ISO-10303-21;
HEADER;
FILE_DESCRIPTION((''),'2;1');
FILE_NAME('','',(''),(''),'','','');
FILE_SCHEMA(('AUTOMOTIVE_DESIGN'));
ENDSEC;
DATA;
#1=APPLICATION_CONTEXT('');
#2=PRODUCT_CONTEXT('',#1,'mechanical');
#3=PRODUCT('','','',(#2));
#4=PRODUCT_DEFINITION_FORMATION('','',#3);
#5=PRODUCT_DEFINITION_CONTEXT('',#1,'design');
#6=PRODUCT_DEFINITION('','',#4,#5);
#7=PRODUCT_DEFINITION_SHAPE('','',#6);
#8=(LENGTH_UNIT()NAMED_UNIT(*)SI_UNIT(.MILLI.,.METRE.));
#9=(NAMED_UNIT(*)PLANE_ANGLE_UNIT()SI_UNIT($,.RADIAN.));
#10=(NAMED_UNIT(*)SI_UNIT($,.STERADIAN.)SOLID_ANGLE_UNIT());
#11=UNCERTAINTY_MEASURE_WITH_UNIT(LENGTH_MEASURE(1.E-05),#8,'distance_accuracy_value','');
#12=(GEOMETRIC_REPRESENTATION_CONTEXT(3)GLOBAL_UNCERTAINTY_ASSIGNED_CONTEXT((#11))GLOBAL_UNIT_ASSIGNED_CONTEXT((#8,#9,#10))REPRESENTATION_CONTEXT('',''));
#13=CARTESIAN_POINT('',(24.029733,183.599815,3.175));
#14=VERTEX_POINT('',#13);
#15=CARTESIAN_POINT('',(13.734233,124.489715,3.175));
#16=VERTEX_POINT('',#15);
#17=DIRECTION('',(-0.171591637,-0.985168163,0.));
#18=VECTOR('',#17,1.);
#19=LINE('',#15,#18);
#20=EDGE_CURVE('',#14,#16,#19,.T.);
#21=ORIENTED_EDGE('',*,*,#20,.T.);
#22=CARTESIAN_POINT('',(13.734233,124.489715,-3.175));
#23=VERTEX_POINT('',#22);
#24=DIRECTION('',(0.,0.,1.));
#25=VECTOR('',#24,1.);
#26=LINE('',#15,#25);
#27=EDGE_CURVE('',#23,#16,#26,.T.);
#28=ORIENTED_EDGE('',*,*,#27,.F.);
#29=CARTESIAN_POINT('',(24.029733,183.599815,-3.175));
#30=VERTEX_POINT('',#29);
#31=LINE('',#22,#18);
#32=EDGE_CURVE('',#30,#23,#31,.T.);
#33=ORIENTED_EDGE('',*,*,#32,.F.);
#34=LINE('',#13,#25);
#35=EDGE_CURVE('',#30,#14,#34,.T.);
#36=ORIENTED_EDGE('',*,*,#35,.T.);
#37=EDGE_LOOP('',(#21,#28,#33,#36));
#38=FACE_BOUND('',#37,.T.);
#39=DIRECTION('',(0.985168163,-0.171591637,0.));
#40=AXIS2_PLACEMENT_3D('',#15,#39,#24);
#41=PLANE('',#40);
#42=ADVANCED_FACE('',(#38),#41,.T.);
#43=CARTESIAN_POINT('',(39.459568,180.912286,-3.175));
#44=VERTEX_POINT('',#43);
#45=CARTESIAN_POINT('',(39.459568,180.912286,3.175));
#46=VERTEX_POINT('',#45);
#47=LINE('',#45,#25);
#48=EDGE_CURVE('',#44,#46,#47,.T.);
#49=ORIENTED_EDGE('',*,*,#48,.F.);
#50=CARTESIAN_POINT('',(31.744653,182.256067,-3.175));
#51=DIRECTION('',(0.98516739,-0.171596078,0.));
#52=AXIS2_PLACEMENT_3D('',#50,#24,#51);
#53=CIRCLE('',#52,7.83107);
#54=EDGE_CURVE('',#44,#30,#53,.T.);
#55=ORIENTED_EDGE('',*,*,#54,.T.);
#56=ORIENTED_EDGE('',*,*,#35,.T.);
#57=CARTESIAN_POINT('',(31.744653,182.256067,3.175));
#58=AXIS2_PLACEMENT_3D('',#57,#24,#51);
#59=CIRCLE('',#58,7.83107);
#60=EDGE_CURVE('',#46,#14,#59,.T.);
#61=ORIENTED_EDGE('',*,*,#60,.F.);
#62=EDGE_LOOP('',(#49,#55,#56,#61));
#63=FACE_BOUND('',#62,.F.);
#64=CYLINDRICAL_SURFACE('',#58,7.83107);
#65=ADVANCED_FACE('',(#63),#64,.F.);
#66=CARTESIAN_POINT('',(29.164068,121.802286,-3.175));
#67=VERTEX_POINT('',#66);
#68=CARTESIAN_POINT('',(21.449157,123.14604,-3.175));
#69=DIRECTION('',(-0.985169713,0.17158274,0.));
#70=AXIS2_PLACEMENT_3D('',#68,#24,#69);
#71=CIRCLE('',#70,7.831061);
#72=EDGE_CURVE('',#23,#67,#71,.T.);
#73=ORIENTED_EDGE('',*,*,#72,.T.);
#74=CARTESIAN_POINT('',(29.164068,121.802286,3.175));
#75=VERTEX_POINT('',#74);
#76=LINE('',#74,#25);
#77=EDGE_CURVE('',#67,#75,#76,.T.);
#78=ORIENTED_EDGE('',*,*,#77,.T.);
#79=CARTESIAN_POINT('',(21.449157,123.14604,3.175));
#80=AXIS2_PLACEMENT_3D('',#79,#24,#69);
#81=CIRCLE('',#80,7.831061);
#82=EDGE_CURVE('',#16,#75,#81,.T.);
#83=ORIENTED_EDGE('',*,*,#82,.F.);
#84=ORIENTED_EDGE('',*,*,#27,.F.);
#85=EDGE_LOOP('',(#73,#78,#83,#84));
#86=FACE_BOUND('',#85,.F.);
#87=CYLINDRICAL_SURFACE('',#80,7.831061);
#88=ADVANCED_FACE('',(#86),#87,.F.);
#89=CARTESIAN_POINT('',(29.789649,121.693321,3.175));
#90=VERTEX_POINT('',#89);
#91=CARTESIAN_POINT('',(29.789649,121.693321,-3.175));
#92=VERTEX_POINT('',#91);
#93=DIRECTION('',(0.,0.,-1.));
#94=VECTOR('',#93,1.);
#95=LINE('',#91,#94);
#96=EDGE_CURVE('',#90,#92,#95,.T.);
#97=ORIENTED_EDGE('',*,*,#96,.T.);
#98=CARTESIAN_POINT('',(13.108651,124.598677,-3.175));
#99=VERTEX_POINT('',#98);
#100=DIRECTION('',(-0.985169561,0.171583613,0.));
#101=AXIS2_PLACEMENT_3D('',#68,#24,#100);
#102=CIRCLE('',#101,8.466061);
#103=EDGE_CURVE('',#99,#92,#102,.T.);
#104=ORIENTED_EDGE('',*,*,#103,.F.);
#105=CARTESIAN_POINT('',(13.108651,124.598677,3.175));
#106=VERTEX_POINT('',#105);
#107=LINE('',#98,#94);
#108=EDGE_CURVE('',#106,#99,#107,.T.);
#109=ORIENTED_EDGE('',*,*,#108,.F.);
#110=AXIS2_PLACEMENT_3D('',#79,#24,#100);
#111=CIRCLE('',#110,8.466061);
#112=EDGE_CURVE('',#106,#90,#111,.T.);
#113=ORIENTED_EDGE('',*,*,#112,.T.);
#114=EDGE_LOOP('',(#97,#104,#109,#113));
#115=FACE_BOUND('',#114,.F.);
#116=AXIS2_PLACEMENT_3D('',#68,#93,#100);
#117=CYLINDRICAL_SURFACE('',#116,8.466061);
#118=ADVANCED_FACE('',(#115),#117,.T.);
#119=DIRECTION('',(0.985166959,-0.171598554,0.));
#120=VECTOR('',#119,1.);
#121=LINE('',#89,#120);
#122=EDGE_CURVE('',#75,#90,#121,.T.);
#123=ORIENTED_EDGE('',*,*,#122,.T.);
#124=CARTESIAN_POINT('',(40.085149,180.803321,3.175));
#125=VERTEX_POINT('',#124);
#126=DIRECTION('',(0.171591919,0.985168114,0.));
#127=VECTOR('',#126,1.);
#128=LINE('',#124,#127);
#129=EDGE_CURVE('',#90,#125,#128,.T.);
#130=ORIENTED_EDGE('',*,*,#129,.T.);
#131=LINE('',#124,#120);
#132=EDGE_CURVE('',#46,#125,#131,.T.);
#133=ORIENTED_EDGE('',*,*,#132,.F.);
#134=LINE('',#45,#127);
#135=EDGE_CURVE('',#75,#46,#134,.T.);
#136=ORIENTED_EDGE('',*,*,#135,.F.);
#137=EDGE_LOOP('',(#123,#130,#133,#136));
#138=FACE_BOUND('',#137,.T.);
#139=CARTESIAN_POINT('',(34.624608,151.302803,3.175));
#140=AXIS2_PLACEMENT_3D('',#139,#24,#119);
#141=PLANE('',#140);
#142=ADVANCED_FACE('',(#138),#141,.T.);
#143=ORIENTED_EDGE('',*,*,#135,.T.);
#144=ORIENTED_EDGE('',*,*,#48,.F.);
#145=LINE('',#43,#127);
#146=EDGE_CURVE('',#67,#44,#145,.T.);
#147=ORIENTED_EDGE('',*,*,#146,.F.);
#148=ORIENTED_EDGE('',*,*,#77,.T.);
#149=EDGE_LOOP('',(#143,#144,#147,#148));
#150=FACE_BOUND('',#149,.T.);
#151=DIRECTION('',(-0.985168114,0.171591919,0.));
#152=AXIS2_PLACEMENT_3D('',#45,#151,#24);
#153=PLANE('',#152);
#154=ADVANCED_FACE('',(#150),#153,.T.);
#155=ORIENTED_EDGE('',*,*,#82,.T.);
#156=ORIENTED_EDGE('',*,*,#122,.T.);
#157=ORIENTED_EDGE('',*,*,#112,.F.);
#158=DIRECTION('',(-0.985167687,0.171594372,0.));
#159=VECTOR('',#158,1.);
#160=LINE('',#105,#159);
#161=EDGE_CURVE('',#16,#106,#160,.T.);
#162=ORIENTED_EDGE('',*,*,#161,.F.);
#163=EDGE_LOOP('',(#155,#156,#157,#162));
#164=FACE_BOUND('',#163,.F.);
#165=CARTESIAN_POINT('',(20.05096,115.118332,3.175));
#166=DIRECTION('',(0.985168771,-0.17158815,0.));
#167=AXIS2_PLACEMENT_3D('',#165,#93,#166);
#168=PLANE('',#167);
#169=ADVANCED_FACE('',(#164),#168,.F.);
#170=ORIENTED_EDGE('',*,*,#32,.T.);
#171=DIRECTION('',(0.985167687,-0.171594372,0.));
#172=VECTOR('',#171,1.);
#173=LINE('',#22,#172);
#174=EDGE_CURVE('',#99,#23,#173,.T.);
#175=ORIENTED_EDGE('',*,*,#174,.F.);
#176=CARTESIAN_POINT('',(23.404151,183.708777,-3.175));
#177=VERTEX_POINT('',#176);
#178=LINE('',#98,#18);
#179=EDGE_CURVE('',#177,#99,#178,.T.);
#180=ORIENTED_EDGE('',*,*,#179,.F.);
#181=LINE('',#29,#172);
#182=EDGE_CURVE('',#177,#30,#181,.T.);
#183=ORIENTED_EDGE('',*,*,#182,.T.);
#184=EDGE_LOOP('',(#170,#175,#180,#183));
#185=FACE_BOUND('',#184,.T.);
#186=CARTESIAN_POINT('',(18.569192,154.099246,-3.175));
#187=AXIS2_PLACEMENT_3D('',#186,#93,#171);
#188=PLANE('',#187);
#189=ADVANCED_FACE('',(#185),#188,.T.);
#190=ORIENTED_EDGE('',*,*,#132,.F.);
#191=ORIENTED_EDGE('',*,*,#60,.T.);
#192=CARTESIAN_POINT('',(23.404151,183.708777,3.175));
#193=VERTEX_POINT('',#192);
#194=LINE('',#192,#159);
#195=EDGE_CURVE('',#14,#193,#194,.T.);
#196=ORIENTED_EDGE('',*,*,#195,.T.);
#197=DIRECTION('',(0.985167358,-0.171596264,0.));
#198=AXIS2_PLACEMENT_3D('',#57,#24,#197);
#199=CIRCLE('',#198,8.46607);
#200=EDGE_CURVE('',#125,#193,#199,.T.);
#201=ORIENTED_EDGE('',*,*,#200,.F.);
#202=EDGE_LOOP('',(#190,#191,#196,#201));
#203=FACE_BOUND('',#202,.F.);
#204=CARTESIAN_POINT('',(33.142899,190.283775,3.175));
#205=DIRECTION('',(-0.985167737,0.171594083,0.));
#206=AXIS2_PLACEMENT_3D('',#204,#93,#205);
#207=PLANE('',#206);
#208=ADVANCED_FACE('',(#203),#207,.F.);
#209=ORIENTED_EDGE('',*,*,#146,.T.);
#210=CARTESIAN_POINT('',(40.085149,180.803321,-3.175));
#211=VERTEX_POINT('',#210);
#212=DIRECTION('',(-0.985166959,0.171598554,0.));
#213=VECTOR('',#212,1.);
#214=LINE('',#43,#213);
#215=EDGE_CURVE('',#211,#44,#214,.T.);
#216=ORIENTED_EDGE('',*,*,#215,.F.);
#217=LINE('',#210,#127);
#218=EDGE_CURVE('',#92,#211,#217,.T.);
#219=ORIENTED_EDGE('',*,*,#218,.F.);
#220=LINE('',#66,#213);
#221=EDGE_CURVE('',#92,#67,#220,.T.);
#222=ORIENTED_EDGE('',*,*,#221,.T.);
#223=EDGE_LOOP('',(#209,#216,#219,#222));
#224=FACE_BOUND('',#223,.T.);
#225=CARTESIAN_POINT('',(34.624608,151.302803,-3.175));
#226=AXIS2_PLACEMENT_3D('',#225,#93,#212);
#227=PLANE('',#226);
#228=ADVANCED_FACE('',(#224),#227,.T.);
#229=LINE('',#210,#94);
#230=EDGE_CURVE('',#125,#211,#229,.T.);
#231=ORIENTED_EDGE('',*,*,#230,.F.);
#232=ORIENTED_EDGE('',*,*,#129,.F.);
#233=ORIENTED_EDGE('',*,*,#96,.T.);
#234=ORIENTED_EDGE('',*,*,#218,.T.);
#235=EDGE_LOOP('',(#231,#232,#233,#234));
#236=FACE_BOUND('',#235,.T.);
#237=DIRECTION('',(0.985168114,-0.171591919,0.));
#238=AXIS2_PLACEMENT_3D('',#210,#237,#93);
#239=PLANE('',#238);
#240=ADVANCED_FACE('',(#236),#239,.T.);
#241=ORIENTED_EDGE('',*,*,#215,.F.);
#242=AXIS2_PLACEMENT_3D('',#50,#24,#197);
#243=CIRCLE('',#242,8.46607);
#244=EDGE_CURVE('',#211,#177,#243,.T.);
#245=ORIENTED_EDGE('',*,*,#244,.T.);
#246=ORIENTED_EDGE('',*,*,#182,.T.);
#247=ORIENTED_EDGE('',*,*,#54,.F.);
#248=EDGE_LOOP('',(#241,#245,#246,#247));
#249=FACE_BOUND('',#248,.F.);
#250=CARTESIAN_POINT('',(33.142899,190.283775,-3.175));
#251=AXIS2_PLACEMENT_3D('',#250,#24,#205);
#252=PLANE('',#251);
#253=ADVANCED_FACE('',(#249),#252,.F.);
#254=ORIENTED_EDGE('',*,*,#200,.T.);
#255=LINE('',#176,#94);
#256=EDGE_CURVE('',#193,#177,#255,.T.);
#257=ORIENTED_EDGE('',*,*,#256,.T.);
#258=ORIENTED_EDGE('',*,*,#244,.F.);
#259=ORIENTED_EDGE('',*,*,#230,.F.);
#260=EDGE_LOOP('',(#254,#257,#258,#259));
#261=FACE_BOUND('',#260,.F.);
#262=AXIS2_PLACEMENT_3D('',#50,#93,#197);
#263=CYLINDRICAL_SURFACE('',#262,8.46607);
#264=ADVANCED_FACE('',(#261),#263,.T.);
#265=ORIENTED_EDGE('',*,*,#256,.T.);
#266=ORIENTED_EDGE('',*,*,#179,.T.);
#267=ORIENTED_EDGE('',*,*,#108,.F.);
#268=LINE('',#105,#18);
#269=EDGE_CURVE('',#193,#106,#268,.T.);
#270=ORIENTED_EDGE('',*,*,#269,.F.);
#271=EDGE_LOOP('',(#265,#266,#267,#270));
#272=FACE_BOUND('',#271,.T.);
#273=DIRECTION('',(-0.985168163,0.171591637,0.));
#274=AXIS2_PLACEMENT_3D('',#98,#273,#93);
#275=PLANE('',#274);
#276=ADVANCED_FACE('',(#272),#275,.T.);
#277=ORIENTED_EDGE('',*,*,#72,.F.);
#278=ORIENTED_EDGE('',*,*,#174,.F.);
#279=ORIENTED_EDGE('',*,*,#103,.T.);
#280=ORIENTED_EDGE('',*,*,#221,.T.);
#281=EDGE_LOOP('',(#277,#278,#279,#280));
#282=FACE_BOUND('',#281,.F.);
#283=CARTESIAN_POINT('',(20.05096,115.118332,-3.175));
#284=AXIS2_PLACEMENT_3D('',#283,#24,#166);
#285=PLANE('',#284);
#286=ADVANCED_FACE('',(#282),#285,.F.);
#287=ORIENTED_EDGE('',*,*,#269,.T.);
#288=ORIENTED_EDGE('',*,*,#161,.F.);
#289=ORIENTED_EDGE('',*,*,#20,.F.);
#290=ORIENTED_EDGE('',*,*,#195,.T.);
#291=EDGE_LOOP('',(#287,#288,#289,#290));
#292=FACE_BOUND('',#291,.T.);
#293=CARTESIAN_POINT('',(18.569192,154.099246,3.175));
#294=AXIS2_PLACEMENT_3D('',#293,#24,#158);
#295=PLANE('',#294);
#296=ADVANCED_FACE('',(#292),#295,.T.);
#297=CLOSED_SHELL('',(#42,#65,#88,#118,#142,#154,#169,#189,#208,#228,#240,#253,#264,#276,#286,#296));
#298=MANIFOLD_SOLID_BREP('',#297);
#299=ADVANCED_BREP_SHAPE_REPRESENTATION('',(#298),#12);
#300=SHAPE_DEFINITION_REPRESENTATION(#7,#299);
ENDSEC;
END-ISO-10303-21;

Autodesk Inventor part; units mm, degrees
sketch "Sketch Path" plane through (0, 0, 0) normal (0, 0, 1) x (1, 0, 0)
  arc A0 (39.7098, 180.8687) -> (23.7795, 183.6434) centre (31.7447, 182.2561) ccw
  arc A1 (13.484, 124.5333) -> (29.4143, 121.7587) centre (21.4491, 123.146) ccw
  line L0 (13.484, 124.5333) -> (23.7795, 183.6434)
  line L1 (39.7098, 180.8687) -> (29.4143, 121.7587)
ref_plane "Cross Section Plane" through (23.7795, 183.6434, 0) normal (-0.1716, -0.9852, 0) x (0, 0, 1)
ref_plane "Work Plane2" through (31.7447, 182.2561, 0) normal (-1, 0, 0) x (0, 0, 1)
ref_plane "Work Plane3" through (21.4491, 123.146, 0) normal (0.3024, 0.9532, 0) x (0, 0, 1)
sketch "Cross Section" plane through (23.7795, 183.6434, 0) normal (-0.1716, -0.9852, 0) x (0, 0, 1)
  line L0 (-3.175, 0.381) -> (3.175, 0.381)
  line L1 (3.175, 0.381) -> (3.175, -0.254)
  line L2 (3.175, -0.254) -> (-3.175, -0.254)
  line L3 (-3.175, -0.254) -> (-3.175, 0.381)
  line L4 (-3.175, 0) -> (3.175, 0) construction
  point P0 (0, 0)
  point P1 (0, 0)
  dimension "d0" = 6.35
  dimension "d4" = 0.254
  dimension "d5" = 0.381
sweep "Belt" add profiles "Cross Section" path "Sketch Path"
equation "\"d0\" = da_B"
equation "\"d4\" = da_a"
equation "\"d5\" = da_a2"
equation "\"da_B\" = 6.35"
equation "\"da_pb\" = 2.032"
equation "\"da_L\" = 170.8"
equation "\"da_a\" = 0.254"
equation "\"da_S\" = 1.143"
equation "\"da_Beta\" = 20deg"
equation "\"da_Ht\" = 0.508"
equation "\"da_H\" = 1.143"
equation "\"da_a2\" = 0.381"
properties part number "Synchronous Belt" material "Rubber"
